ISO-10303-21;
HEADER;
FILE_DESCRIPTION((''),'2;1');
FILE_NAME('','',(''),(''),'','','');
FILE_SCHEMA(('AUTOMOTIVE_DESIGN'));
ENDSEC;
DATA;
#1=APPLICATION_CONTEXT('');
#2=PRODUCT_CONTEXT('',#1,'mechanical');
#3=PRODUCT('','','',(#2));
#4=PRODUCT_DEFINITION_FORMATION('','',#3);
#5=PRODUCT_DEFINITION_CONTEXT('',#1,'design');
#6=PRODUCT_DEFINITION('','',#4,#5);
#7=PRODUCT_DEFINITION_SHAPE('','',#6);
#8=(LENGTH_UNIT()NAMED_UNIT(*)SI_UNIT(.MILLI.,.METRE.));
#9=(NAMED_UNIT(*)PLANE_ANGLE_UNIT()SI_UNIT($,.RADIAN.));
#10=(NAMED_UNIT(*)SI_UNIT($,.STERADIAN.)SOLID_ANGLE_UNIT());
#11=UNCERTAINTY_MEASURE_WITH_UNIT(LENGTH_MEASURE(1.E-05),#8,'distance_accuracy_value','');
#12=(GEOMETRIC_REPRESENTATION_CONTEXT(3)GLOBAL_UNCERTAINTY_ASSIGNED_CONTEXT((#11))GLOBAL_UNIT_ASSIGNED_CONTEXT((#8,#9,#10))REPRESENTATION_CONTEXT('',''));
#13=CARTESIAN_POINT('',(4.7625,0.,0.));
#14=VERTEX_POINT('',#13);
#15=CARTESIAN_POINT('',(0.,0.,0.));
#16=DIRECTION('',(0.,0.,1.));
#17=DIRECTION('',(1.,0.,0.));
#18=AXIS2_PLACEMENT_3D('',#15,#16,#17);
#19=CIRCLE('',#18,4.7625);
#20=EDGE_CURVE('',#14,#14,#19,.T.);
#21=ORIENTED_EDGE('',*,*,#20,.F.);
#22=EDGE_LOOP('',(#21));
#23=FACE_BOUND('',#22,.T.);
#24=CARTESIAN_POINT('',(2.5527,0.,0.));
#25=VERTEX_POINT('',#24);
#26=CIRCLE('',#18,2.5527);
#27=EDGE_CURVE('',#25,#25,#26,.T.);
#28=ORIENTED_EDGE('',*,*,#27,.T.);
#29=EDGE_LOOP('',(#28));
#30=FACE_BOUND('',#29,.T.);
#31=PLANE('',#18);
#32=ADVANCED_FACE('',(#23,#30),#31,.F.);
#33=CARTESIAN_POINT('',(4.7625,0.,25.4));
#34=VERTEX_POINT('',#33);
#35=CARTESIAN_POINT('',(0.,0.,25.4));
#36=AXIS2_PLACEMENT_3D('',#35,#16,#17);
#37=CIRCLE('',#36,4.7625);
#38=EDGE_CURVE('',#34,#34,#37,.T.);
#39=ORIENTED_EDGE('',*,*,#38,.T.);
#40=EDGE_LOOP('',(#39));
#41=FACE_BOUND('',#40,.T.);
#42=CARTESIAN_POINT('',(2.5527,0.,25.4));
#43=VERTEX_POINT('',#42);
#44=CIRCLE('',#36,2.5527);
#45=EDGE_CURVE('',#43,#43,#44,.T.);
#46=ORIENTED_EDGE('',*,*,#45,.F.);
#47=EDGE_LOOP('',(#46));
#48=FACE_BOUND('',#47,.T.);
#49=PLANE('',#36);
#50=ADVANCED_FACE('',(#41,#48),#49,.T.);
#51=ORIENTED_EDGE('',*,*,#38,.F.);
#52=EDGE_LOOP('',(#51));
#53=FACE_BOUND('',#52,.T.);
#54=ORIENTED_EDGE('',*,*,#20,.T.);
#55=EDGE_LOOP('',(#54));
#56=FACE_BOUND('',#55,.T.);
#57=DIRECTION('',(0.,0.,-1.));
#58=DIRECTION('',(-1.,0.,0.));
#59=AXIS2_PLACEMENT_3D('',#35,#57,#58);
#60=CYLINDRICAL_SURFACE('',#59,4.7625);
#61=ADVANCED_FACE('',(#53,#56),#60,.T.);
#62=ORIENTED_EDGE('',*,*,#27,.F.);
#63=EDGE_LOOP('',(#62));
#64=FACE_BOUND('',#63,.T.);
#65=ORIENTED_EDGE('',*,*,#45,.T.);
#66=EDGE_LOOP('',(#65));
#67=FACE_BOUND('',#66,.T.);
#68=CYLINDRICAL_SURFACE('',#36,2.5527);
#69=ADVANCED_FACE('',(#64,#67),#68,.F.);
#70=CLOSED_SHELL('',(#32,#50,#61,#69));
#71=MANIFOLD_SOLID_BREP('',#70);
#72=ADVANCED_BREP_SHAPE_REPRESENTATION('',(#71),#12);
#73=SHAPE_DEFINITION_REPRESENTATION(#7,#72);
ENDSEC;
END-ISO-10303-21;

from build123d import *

# Parameters (mm, degrees)
SKETCH1_R              = 4.7625
BOSS_EXTRUDE1_DEPTH    = 25.4
F_10_CLEARANCE_HOLE1_D = 5.1054


with BuildPart() as part:
    # Sketch1 → Boss-Extrude1 (new body)
    with BuildSketch(Plane.XY):
        Circle(SKETCH1_R)
    extrude(amount=BOSS_EXTRUDE1_DEPTH)

    # #10 Clearance Hole1 (through all)
    with Locations(Plane.XY.offset(25.4)):
        with Locations((0, 0)):
            Hole(F_10_CLEARANCE_HOLE1_D / 2)


solid = part.part
